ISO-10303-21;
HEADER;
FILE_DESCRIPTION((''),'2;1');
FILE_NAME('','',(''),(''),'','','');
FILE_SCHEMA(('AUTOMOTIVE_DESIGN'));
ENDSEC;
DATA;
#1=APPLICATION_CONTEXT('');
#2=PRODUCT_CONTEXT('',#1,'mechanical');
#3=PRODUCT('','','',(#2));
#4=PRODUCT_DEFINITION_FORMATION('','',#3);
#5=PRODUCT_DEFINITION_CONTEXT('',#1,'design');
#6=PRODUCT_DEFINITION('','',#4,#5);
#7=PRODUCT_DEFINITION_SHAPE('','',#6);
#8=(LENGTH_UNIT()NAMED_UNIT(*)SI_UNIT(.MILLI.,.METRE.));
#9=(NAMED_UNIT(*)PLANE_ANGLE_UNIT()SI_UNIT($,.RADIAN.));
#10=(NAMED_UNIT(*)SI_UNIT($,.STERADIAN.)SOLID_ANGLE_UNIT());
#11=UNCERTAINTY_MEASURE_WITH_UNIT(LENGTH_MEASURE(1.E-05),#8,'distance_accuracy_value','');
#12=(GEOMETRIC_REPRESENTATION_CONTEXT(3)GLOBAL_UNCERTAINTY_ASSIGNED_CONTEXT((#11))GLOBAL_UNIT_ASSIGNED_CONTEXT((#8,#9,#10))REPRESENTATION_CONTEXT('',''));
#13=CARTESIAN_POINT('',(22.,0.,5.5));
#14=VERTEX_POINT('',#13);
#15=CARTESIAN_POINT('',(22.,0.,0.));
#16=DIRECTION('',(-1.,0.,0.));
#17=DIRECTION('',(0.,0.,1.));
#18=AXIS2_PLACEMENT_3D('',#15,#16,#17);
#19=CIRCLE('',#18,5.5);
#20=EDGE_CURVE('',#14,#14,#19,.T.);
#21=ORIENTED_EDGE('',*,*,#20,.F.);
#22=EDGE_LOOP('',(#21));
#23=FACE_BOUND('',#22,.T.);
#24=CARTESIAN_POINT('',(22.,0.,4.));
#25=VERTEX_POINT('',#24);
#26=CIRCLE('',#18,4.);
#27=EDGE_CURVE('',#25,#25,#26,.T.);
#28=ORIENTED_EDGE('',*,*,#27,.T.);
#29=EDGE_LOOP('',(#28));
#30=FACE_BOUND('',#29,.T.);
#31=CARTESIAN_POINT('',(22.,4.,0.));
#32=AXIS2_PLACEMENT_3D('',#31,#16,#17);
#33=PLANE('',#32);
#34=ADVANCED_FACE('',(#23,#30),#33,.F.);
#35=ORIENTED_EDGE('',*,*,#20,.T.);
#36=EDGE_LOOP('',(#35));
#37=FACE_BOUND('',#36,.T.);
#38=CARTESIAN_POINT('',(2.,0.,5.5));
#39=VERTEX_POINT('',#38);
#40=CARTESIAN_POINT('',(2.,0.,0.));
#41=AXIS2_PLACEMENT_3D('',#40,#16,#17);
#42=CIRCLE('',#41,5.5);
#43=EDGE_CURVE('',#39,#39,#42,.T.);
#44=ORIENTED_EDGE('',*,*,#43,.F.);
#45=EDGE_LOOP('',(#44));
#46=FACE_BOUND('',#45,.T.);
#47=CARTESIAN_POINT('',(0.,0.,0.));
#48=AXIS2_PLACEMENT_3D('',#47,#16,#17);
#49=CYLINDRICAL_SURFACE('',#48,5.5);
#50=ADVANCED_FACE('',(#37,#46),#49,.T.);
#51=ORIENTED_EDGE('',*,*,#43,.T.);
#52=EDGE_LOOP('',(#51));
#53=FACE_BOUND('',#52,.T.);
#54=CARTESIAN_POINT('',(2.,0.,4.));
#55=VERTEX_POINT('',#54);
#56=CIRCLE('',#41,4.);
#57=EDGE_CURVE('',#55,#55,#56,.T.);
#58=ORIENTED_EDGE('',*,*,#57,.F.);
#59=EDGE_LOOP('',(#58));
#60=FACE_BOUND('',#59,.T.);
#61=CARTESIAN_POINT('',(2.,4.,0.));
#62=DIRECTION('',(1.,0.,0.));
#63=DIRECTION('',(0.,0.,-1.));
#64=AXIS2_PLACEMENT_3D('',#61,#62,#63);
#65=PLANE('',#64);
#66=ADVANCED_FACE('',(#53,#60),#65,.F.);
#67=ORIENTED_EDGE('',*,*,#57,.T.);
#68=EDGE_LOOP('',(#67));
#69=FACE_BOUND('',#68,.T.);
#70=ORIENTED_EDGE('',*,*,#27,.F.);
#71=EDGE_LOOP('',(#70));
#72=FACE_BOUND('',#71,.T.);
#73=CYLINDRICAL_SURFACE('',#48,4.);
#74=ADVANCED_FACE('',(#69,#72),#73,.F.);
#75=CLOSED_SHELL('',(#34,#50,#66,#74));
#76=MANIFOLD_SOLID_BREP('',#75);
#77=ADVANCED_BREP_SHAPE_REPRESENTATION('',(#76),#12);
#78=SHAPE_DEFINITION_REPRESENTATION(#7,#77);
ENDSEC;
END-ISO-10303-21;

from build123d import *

# Parameters (mm, degrees)
SKETCH2_W = 20
SKETCH2_H = 1.5


with BuildPart() as part:
    # Sketch2 → Revolve1 (revolve)
    with BuildSketch(Plane.XY):
        with Locations((12, 4.75)):
            Rectangle(SKETCH2_W, SKETCH2_H)
    revolve(axis=Axis((0, 0, 0), (1, 0, 0)))


solid = part.part
